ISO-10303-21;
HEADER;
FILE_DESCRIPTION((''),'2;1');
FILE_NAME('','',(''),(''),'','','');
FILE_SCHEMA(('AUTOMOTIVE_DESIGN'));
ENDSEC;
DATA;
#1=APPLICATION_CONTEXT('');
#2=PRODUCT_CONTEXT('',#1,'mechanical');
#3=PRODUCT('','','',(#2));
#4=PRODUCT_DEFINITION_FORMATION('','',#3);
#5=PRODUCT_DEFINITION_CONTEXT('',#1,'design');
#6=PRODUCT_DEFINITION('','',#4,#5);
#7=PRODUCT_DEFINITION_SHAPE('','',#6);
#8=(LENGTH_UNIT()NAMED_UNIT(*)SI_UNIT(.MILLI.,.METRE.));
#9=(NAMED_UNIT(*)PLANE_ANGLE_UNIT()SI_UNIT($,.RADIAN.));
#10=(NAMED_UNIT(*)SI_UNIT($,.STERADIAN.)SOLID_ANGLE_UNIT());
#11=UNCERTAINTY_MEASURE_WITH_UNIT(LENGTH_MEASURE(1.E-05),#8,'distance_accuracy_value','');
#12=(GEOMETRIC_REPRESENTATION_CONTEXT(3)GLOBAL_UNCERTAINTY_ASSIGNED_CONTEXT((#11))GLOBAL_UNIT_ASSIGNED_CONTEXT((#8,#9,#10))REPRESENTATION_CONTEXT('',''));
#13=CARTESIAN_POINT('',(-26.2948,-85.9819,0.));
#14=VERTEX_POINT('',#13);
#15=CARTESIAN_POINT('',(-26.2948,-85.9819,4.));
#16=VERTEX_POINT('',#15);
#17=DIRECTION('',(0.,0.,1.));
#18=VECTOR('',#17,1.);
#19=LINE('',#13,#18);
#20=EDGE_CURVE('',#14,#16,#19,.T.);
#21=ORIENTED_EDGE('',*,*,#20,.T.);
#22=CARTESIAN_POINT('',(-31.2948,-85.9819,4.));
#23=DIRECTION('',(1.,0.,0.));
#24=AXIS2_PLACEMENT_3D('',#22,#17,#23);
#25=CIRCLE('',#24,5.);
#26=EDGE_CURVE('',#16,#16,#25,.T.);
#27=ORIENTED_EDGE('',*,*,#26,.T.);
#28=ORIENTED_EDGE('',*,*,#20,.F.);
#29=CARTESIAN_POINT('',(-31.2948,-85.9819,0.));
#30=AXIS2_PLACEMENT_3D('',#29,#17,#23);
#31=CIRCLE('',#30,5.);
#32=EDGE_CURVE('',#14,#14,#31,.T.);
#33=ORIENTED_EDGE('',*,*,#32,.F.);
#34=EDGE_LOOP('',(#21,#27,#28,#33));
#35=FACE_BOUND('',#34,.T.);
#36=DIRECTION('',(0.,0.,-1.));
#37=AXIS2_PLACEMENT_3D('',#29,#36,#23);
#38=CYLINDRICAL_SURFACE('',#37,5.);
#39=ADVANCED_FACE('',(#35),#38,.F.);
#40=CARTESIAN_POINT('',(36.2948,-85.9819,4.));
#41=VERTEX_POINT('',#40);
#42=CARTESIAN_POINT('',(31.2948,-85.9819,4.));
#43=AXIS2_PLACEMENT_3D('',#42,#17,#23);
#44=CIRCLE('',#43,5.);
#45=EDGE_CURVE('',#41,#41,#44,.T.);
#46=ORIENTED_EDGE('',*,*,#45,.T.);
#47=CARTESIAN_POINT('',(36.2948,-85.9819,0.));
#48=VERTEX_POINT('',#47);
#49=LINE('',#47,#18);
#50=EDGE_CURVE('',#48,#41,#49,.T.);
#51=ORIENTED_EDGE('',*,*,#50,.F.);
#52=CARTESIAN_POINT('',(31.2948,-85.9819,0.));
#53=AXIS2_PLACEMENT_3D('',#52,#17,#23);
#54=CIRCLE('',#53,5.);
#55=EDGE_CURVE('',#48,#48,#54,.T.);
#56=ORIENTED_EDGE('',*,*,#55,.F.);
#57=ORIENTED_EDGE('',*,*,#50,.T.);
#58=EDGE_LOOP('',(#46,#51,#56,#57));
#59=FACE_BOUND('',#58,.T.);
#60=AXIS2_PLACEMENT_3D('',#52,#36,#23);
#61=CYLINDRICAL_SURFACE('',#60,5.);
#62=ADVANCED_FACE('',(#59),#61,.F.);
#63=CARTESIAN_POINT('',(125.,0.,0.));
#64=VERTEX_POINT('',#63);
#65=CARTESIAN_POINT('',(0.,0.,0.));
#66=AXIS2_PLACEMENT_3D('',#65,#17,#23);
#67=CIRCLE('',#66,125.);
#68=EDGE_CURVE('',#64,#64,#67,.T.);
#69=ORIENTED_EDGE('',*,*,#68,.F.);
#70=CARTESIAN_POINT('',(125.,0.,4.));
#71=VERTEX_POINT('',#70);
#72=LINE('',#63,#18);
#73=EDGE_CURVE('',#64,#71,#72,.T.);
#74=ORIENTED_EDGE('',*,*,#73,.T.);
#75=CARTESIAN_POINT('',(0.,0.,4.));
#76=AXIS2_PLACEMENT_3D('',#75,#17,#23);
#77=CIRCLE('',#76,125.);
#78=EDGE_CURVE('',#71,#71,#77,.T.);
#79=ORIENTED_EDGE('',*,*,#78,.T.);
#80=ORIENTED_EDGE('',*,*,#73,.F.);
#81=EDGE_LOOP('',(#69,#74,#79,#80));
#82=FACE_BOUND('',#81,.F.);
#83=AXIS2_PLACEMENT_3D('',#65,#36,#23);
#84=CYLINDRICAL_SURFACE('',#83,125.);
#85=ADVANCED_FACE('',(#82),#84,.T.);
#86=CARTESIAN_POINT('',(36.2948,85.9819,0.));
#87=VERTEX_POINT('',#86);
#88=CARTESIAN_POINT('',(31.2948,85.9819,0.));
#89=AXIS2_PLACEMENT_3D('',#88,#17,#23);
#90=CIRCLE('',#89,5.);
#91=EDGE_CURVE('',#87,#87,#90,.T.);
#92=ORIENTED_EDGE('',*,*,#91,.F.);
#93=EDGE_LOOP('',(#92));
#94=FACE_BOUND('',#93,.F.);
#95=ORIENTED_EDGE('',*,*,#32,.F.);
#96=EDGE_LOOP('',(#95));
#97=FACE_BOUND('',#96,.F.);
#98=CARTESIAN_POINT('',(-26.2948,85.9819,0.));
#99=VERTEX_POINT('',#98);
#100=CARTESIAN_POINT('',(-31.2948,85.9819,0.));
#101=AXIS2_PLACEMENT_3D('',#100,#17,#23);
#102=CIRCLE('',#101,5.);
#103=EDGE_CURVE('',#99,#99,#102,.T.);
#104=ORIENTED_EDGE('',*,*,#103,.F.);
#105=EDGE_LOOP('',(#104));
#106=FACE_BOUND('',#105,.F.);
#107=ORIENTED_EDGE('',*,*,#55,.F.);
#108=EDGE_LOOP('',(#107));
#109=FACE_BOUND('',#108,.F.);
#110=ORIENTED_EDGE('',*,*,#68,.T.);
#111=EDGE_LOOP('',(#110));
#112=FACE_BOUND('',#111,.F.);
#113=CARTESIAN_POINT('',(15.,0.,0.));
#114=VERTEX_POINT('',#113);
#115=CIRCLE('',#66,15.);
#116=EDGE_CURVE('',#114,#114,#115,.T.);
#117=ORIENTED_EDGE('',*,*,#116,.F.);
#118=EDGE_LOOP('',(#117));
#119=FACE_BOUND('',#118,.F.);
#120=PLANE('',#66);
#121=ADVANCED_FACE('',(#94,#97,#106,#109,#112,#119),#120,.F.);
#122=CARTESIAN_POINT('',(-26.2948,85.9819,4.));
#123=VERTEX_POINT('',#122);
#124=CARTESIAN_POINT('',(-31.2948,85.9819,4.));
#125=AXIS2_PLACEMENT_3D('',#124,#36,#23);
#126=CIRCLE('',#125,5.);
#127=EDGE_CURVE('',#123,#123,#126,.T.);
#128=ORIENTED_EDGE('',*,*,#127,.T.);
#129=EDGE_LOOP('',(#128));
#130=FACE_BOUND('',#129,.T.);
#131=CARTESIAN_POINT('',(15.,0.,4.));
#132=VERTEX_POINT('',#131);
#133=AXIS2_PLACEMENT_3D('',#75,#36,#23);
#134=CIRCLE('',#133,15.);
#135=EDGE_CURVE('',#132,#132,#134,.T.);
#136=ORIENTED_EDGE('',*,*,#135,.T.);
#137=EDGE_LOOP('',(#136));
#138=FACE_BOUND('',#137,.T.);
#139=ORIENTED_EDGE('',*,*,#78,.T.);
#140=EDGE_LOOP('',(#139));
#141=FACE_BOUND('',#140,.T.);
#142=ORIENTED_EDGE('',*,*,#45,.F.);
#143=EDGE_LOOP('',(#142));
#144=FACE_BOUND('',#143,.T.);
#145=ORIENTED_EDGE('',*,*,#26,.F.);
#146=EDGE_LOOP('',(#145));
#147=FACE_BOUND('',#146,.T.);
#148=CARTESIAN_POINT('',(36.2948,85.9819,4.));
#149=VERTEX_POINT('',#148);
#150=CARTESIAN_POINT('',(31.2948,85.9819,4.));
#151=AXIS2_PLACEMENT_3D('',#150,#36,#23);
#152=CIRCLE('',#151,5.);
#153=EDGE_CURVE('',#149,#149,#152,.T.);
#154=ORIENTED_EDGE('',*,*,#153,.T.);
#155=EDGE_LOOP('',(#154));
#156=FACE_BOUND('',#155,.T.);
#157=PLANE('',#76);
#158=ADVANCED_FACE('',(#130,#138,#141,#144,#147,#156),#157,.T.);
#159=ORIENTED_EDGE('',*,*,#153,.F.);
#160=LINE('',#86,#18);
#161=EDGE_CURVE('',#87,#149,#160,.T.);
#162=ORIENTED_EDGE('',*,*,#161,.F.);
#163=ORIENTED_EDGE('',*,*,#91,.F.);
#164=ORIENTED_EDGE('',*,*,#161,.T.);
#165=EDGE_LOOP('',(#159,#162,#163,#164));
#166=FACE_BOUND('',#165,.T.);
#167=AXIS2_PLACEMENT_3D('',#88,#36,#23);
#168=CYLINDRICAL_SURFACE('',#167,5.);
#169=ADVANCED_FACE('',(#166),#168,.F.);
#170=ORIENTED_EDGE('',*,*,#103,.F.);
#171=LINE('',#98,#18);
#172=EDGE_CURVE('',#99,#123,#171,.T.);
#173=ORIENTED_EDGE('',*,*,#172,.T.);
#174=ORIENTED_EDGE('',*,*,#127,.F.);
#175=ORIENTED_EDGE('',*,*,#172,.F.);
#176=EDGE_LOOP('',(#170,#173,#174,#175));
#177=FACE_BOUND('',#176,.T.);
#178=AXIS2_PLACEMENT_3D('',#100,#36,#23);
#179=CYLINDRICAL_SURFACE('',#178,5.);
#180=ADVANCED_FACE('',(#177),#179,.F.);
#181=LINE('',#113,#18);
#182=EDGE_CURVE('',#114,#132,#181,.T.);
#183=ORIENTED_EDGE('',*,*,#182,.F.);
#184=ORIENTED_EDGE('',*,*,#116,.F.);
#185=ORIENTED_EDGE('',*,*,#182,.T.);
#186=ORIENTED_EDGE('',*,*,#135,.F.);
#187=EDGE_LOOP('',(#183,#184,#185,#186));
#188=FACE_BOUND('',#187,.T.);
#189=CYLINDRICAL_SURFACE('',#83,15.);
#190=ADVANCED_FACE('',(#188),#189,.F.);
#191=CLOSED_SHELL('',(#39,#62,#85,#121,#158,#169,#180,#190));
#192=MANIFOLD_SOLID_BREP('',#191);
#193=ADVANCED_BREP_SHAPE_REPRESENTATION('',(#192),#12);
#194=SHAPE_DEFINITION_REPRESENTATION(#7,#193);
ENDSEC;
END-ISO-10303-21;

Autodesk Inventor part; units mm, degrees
ref_plane "YZ Plane" through (0, 0, 0) normal (1, 0, 0) x (0, 1, 0)
ref_plane "XZ Plane" through (0, 0, 0) normal (0, 1, 0) x (-1, 0, 0)
ref_plane "XY Plane" through (0, 0, 0) normal (0, 0, 1) x (1, 0, 0)
sketch "Sketch1" plane through (0, 0, 0) normal (0, 0, 1) x (1, 0, 0)
  circle A0 centre (0, 0) radius 125
  circle A1 centre (0, 0) radius 15
  line L0 (0, 0) -> (0, 90)
  line L1 (0, 0) -> (-31.2948, 85.9819)
  line L2 (0, 0) -> (31.2948, 85.9819)
  line L3 (-125, 0) -> (125, 0) construction
  line L4 (-31.2948, 85.9819) -> (0, 90)
  line L5 (31.2948, 85.9819) -> (0, 90)
  circle A2 centre (-31.2948, 85.9819) radius 5
  circle A3 centre (31.2948, 85.9819) radius 5
  circle A4 centre (-31.2948, -85.9819) radius 5
  circle A5 centre (31.2948, -85.9819) radius 5
  dimension "d0" = 250
  dimension "d1" = 30
  dimension "d2" = 90
  dimension "d3" = 91.5
  dimension "d4" = 91.5
  dimension "d6" = 70
  dimension "d8" = 70
  dimension "d9" = 10
  dimension "d10" = 10
extrude "Extrusion1" add sketch "Sketch1" along normal blind 4 contours A0 | A1 L0 L5 A3 L2 | L1 A2 L4 L0 A1
properties part number "tutturgac"
